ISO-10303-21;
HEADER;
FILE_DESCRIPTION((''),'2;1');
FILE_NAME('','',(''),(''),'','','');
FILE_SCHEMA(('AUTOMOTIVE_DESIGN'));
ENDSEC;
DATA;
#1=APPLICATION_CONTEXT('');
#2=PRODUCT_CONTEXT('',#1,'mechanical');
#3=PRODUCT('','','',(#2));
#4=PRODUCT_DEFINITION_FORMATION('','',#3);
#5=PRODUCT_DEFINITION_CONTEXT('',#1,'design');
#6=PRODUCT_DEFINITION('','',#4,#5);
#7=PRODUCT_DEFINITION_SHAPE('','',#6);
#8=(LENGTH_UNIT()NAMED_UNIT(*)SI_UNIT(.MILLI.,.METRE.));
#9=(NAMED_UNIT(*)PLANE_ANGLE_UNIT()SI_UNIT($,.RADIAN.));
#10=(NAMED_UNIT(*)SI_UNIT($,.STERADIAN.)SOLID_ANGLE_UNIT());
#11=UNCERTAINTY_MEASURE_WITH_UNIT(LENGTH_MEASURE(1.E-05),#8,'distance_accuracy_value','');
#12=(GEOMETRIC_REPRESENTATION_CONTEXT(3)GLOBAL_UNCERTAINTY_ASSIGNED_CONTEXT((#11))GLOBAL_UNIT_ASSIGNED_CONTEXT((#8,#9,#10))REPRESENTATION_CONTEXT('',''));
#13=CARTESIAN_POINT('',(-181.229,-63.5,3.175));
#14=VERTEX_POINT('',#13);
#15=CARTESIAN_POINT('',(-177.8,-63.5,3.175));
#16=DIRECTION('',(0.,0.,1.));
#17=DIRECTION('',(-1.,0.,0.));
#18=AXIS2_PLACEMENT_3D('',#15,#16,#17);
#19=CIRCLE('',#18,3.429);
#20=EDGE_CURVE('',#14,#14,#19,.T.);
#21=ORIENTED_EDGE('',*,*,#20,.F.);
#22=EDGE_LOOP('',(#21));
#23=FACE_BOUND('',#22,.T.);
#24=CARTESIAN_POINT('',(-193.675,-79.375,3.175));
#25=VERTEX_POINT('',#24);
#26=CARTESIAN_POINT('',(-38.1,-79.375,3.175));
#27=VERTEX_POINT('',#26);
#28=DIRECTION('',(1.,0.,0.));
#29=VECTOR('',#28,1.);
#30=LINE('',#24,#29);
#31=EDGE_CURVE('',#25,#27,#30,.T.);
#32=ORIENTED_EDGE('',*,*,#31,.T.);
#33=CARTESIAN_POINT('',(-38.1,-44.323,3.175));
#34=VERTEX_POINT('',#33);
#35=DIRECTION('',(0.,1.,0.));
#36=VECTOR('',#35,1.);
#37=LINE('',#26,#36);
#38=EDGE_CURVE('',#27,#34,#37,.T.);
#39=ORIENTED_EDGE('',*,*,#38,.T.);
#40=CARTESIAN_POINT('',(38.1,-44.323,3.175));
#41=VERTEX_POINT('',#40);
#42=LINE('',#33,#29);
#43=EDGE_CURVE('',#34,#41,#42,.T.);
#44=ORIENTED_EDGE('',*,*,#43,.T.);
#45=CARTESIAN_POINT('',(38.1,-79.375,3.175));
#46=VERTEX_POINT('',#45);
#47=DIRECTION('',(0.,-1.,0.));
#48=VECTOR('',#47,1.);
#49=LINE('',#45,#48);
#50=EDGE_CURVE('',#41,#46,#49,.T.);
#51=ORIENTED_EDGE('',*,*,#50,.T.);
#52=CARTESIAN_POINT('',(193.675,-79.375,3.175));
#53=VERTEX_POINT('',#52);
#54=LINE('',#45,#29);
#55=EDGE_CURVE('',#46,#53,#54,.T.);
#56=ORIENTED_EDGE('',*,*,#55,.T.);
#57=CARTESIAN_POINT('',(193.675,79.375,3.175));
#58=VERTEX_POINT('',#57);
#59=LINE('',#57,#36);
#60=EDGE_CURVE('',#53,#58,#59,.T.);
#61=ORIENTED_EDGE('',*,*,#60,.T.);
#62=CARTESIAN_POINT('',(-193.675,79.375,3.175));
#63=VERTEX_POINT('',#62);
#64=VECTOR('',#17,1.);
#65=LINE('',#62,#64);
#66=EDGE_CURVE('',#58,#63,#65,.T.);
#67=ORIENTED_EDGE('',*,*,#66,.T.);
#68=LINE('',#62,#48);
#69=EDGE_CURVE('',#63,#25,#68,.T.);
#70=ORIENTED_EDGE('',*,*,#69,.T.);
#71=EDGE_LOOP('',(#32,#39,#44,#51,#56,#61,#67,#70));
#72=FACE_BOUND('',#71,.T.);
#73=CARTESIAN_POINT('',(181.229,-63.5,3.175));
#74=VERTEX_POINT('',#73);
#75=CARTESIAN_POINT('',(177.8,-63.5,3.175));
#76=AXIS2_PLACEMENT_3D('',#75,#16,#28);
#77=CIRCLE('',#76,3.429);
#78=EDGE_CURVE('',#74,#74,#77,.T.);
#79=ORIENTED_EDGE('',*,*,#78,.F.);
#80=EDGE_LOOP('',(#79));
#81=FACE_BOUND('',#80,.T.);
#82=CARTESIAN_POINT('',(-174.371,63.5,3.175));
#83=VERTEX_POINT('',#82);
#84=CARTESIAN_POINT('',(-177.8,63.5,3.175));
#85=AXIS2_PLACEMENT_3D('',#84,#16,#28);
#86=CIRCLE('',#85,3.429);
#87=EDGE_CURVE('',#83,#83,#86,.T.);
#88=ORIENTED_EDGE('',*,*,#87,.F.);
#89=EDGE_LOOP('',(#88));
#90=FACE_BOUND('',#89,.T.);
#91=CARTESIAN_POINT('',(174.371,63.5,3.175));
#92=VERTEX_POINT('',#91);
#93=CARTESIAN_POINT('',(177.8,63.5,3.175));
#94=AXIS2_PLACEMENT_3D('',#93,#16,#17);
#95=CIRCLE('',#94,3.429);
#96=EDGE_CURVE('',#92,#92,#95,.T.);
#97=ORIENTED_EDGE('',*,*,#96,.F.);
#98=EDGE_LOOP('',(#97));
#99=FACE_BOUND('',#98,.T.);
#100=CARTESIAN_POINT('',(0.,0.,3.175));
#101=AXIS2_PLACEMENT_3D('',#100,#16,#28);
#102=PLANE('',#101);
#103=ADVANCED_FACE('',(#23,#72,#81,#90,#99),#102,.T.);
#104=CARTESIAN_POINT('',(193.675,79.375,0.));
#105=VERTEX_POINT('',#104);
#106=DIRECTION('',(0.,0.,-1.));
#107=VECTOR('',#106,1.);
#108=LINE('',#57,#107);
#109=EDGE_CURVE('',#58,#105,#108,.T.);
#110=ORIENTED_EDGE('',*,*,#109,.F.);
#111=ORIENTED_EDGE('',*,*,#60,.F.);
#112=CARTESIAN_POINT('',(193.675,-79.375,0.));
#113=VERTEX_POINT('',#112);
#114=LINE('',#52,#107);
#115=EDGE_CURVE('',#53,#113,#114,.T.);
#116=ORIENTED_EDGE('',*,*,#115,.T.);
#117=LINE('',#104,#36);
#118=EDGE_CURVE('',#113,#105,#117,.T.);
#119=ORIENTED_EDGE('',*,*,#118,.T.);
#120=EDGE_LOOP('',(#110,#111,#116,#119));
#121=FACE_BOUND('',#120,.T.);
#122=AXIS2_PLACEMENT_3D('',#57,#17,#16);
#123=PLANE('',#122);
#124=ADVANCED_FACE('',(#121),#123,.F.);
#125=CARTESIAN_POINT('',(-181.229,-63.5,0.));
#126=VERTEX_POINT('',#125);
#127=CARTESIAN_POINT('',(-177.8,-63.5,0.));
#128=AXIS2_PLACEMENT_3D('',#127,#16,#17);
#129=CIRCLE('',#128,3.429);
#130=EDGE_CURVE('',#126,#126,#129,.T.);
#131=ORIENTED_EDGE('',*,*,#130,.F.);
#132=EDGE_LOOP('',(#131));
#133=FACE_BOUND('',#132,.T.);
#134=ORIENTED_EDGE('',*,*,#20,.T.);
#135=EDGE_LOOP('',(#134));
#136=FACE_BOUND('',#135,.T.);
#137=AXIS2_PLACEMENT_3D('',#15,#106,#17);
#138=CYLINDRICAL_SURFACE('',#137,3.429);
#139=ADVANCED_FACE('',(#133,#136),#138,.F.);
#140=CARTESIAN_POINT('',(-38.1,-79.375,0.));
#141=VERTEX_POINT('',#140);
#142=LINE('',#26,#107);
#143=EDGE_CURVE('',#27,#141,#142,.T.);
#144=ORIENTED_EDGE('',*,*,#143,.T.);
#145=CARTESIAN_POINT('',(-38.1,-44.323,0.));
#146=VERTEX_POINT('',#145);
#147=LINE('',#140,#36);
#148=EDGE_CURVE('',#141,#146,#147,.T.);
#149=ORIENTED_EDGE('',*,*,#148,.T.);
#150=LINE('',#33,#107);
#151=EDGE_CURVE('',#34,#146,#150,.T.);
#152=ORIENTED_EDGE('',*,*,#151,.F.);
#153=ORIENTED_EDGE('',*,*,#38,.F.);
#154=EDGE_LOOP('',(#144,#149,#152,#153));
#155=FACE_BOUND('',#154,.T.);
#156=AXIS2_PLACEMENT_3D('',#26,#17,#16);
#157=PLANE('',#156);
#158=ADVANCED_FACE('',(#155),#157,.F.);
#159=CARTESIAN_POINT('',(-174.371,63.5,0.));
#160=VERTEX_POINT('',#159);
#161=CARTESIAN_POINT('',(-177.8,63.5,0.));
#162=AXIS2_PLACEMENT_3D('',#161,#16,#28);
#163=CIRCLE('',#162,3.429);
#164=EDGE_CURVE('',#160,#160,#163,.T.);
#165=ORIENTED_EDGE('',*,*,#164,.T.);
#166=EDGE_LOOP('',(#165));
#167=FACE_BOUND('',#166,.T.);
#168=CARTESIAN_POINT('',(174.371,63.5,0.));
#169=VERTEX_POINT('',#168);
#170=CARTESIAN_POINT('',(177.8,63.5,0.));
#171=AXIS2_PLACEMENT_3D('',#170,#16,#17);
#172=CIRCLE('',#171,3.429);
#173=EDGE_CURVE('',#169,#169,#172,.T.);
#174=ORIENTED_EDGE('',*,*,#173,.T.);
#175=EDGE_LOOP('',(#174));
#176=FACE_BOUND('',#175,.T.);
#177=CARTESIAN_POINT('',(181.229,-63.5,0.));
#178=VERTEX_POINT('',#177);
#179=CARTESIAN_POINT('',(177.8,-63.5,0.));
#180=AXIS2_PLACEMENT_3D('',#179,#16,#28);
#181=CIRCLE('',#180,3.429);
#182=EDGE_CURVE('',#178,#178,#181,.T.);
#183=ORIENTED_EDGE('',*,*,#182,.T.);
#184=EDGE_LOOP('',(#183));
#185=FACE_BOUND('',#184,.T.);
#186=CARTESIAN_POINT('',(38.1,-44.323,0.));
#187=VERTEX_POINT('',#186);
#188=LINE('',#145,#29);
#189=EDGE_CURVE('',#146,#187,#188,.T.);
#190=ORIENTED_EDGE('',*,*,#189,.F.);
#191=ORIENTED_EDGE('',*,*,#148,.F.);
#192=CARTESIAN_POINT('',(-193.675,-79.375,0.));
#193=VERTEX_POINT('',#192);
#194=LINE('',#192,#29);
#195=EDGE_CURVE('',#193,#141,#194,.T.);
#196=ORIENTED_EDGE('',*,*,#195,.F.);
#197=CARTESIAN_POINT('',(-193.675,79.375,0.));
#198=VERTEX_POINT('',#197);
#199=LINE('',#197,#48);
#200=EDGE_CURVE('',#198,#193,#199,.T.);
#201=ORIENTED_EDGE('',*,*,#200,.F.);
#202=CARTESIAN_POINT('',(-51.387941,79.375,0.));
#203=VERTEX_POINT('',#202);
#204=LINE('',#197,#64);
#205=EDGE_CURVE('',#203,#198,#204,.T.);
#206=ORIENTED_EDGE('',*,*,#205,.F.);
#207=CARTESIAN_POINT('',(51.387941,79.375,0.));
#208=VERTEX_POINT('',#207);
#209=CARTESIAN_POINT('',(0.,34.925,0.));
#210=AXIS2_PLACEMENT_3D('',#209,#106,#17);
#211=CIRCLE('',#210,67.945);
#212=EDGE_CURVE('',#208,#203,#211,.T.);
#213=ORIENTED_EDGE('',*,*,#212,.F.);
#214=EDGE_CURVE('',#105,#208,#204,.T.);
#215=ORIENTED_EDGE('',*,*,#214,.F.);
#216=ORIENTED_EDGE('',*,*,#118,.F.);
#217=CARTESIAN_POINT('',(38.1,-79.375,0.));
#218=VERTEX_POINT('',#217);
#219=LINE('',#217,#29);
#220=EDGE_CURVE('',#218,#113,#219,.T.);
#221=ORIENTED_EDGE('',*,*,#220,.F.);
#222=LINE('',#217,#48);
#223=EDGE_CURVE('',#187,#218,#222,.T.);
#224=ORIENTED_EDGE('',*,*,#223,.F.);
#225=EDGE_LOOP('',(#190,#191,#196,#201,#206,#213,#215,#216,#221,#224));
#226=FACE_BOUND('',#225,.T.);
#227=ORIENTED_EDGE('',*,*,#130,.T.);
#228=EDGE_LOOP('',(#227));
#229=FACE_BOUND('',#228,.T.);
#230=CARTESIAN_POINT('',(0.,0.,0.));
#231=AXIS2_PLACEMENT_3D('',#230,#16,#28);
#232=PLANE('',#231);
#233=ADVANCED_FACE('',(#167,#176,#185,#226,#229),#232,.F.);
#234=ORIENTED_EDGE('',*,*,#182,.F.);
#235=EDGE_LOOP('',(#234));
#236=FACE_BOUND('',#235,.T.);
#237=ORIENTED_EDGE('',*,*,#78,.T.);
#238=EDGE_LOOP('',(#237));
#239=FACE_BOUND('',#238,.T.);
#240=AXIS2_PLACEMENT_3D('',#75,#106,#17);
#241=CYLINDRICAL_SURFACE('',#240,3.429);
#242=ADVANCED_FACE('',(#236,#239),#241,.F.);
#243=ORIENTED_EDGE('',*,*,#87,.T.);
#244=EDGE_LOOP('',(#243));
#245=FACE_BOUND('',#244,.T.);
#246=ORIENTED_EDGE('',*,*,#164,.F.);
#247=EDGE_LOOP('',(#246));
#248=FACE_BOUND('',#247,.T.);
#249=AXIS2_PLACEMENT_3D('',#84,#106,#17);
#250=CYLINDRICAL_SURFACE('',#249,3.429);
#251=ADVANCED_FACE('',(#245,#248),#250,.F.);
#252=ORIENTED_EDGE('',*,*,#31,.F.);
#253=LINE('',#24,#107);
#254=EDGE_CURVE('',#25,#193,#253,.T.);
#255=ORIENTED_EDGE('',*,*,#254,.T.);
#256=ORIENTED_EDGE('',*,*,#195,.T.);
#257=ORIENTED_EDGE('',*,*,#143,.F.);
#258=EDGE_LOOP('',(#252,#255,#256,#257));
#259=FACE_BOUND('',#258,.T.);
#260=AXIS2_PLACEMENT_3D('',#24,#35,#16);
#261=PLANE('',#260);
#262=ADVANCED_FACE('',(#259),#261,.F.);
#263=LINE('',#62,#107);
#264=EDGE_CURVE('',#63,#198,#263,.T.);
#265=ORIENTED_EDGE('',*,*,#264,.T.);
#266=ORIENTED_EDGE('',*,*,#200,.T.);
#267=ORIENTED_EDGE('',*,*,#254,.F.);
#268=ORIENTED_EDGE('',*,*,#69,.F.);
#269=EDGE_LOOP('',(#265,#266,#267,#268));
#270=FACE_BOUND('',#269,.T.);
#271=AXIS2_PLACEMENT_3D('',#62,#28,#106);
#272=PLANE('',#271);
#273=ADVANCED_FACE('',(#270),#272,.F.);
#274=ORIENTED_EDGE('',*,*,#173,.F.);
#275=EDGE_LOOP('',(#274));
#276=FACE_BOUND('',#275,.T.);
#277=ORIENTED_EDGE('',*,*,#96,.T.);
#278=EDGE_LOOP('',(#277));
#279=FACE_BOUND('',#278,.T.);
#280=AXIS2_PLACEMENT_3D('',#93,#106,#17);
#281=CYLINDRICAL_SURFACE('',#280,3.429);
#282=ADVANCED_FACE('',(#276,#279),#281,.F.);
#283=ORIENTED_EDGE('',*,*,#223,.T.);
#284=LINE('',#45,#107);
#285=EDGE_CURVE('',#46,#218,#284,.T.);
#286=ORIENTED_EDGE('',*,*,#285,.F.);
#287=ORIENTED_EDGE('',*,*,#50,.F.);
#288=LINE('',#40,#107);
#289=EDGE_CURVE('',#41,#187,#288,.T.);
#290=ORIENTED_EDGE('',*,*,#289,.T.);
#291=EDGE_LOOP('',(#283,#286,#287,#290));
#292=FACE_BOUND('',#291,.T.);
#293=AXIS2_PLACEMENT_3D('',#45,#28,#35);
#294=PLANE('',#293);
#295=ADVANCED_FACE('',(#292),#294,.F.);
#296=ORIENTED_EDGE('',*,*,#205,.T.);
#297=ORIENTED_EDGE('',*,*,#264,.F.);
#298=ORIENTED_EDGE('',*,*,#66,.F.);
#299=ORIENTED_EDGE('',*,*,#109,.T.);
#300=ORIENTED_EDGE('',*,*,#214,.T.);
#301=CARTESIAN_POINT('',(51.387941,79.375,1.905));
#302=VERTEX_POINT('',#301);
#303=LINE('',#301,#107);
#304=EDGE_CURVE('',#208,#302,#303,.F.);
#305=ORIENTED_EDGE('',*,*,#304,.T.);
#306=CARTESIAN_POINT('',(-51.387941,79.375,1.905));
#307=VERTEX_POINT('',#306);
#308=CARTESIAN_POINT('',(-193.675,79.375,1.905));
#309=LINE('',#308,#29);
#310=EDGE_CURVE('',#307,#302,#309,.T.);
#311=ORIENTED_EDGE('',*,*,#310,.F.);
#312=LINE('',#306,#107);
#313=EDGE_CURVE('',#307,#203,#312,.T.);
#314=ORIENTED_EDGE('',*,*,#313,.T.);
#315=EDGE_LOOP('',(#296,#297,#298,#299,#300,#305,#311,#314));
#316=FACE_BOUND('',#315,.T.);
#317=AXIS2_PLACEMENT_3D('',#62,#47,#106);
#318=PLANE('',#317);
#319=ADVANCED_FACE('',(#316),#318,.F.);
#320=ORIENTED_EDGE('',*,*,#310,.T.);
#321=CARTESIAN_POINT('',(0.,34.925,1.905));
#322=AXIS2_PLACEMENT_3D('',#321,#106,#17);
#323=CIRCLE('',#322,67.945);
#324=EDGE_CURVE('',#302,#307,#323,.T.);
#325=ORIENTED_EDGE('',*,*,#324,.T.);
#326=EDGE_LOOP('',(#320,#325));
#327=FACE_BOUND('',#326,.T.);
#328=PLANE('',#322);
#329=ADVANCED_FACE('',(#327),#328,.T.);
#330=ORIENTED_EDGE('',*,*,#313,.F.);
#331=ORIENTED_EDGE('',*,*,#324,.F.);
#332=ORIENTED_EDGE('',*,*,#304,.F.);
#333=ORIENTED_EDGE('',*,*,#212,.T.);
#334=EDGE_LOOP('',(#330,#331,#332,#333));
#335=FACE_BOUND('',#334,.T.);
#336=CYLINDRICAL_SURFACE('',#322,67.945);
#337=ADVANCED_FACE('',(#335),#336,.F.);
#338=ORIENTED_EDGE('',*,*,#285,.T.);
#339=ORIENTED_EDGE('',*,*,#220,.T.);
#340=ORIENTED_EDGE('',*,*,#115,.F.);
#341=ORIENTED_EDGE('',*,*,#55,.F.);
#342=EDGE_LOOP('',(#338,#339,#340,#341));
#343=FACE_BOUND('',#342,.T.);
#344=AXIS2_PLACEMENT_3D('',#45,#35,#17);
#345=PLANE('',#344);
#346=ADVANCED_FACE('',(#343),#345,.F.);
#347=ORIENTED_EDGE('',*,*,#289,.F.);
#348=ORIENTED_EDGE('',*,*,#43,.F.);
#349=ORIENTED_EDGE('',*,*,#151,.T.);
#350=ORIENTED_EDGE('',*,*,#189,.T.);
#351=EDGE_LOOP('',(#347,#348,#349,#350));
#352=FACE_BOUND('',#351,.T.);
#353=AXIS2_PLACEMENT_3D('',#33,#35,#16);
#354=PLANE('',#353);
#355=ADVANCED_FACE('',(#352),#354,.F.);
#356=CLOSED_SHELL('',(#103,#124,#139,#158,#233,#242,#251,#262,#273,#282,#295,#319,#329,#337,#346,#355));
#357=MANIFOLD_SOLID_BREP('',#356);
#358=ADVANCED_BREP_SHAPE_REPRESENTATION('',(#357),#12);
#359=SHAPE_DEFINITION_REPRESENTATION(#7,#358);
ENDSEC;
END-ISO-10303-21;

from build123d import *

# Parameters (mm, degrees)
SKETCH1_R           = 3.429
BOSS_EXTRUDE1_DEPTH = 3.175
SKETCH3_R           = 67.945
CUT_EXTRUDE2_DEPTH  = 1.905


with BuildPart() as part:
    # Sketch1 → Boss-Extrude1 (new body)
    with BuildSketch(Plane.XY):
        Polygon((38.1, -79.375), (193.675, -79.375), (193.675, 79.375), (-193.675, 79.375), (-193.675, -79.375), (-38.1, -79.375), (-38.1, -44.323), (38.1, -44.323), align=None)
        with Locations((-177.8, 63.5)):
            Circle(SKETCH1_R, mode=Mode.SUBTRACT)
        with Locations((177.8, 63.5)):
            Circle(SKETCH1_R, mode=Mode.SUBTRACT)
        with Locations((177.8, -63.5)):
            Circle(SKETCH1_R, mode=Mode.SUBTRACT)
        with Locations((-177.8, -63.5)):
            Circle(SKETCH1_R, mode=Mode.SUBTRACT)
    extrude(amount=BOSS_EXTRUDE1_DEPTH)

    # Sketch3 → Cut-Extrude2 (cut)
    with BuildSketch(Plane(origin=(0, 0, 0), x_dir=(-1, 0, 0), z_dir=(0, 0, -1))):
        with Locations((0, 34.925)):
            Circle(SKETCH3_R)
    extrude(amount=-CUT_EXTRUDE2_DEPTH, mode=Mode.SUBTRACT)


solid = part.part
